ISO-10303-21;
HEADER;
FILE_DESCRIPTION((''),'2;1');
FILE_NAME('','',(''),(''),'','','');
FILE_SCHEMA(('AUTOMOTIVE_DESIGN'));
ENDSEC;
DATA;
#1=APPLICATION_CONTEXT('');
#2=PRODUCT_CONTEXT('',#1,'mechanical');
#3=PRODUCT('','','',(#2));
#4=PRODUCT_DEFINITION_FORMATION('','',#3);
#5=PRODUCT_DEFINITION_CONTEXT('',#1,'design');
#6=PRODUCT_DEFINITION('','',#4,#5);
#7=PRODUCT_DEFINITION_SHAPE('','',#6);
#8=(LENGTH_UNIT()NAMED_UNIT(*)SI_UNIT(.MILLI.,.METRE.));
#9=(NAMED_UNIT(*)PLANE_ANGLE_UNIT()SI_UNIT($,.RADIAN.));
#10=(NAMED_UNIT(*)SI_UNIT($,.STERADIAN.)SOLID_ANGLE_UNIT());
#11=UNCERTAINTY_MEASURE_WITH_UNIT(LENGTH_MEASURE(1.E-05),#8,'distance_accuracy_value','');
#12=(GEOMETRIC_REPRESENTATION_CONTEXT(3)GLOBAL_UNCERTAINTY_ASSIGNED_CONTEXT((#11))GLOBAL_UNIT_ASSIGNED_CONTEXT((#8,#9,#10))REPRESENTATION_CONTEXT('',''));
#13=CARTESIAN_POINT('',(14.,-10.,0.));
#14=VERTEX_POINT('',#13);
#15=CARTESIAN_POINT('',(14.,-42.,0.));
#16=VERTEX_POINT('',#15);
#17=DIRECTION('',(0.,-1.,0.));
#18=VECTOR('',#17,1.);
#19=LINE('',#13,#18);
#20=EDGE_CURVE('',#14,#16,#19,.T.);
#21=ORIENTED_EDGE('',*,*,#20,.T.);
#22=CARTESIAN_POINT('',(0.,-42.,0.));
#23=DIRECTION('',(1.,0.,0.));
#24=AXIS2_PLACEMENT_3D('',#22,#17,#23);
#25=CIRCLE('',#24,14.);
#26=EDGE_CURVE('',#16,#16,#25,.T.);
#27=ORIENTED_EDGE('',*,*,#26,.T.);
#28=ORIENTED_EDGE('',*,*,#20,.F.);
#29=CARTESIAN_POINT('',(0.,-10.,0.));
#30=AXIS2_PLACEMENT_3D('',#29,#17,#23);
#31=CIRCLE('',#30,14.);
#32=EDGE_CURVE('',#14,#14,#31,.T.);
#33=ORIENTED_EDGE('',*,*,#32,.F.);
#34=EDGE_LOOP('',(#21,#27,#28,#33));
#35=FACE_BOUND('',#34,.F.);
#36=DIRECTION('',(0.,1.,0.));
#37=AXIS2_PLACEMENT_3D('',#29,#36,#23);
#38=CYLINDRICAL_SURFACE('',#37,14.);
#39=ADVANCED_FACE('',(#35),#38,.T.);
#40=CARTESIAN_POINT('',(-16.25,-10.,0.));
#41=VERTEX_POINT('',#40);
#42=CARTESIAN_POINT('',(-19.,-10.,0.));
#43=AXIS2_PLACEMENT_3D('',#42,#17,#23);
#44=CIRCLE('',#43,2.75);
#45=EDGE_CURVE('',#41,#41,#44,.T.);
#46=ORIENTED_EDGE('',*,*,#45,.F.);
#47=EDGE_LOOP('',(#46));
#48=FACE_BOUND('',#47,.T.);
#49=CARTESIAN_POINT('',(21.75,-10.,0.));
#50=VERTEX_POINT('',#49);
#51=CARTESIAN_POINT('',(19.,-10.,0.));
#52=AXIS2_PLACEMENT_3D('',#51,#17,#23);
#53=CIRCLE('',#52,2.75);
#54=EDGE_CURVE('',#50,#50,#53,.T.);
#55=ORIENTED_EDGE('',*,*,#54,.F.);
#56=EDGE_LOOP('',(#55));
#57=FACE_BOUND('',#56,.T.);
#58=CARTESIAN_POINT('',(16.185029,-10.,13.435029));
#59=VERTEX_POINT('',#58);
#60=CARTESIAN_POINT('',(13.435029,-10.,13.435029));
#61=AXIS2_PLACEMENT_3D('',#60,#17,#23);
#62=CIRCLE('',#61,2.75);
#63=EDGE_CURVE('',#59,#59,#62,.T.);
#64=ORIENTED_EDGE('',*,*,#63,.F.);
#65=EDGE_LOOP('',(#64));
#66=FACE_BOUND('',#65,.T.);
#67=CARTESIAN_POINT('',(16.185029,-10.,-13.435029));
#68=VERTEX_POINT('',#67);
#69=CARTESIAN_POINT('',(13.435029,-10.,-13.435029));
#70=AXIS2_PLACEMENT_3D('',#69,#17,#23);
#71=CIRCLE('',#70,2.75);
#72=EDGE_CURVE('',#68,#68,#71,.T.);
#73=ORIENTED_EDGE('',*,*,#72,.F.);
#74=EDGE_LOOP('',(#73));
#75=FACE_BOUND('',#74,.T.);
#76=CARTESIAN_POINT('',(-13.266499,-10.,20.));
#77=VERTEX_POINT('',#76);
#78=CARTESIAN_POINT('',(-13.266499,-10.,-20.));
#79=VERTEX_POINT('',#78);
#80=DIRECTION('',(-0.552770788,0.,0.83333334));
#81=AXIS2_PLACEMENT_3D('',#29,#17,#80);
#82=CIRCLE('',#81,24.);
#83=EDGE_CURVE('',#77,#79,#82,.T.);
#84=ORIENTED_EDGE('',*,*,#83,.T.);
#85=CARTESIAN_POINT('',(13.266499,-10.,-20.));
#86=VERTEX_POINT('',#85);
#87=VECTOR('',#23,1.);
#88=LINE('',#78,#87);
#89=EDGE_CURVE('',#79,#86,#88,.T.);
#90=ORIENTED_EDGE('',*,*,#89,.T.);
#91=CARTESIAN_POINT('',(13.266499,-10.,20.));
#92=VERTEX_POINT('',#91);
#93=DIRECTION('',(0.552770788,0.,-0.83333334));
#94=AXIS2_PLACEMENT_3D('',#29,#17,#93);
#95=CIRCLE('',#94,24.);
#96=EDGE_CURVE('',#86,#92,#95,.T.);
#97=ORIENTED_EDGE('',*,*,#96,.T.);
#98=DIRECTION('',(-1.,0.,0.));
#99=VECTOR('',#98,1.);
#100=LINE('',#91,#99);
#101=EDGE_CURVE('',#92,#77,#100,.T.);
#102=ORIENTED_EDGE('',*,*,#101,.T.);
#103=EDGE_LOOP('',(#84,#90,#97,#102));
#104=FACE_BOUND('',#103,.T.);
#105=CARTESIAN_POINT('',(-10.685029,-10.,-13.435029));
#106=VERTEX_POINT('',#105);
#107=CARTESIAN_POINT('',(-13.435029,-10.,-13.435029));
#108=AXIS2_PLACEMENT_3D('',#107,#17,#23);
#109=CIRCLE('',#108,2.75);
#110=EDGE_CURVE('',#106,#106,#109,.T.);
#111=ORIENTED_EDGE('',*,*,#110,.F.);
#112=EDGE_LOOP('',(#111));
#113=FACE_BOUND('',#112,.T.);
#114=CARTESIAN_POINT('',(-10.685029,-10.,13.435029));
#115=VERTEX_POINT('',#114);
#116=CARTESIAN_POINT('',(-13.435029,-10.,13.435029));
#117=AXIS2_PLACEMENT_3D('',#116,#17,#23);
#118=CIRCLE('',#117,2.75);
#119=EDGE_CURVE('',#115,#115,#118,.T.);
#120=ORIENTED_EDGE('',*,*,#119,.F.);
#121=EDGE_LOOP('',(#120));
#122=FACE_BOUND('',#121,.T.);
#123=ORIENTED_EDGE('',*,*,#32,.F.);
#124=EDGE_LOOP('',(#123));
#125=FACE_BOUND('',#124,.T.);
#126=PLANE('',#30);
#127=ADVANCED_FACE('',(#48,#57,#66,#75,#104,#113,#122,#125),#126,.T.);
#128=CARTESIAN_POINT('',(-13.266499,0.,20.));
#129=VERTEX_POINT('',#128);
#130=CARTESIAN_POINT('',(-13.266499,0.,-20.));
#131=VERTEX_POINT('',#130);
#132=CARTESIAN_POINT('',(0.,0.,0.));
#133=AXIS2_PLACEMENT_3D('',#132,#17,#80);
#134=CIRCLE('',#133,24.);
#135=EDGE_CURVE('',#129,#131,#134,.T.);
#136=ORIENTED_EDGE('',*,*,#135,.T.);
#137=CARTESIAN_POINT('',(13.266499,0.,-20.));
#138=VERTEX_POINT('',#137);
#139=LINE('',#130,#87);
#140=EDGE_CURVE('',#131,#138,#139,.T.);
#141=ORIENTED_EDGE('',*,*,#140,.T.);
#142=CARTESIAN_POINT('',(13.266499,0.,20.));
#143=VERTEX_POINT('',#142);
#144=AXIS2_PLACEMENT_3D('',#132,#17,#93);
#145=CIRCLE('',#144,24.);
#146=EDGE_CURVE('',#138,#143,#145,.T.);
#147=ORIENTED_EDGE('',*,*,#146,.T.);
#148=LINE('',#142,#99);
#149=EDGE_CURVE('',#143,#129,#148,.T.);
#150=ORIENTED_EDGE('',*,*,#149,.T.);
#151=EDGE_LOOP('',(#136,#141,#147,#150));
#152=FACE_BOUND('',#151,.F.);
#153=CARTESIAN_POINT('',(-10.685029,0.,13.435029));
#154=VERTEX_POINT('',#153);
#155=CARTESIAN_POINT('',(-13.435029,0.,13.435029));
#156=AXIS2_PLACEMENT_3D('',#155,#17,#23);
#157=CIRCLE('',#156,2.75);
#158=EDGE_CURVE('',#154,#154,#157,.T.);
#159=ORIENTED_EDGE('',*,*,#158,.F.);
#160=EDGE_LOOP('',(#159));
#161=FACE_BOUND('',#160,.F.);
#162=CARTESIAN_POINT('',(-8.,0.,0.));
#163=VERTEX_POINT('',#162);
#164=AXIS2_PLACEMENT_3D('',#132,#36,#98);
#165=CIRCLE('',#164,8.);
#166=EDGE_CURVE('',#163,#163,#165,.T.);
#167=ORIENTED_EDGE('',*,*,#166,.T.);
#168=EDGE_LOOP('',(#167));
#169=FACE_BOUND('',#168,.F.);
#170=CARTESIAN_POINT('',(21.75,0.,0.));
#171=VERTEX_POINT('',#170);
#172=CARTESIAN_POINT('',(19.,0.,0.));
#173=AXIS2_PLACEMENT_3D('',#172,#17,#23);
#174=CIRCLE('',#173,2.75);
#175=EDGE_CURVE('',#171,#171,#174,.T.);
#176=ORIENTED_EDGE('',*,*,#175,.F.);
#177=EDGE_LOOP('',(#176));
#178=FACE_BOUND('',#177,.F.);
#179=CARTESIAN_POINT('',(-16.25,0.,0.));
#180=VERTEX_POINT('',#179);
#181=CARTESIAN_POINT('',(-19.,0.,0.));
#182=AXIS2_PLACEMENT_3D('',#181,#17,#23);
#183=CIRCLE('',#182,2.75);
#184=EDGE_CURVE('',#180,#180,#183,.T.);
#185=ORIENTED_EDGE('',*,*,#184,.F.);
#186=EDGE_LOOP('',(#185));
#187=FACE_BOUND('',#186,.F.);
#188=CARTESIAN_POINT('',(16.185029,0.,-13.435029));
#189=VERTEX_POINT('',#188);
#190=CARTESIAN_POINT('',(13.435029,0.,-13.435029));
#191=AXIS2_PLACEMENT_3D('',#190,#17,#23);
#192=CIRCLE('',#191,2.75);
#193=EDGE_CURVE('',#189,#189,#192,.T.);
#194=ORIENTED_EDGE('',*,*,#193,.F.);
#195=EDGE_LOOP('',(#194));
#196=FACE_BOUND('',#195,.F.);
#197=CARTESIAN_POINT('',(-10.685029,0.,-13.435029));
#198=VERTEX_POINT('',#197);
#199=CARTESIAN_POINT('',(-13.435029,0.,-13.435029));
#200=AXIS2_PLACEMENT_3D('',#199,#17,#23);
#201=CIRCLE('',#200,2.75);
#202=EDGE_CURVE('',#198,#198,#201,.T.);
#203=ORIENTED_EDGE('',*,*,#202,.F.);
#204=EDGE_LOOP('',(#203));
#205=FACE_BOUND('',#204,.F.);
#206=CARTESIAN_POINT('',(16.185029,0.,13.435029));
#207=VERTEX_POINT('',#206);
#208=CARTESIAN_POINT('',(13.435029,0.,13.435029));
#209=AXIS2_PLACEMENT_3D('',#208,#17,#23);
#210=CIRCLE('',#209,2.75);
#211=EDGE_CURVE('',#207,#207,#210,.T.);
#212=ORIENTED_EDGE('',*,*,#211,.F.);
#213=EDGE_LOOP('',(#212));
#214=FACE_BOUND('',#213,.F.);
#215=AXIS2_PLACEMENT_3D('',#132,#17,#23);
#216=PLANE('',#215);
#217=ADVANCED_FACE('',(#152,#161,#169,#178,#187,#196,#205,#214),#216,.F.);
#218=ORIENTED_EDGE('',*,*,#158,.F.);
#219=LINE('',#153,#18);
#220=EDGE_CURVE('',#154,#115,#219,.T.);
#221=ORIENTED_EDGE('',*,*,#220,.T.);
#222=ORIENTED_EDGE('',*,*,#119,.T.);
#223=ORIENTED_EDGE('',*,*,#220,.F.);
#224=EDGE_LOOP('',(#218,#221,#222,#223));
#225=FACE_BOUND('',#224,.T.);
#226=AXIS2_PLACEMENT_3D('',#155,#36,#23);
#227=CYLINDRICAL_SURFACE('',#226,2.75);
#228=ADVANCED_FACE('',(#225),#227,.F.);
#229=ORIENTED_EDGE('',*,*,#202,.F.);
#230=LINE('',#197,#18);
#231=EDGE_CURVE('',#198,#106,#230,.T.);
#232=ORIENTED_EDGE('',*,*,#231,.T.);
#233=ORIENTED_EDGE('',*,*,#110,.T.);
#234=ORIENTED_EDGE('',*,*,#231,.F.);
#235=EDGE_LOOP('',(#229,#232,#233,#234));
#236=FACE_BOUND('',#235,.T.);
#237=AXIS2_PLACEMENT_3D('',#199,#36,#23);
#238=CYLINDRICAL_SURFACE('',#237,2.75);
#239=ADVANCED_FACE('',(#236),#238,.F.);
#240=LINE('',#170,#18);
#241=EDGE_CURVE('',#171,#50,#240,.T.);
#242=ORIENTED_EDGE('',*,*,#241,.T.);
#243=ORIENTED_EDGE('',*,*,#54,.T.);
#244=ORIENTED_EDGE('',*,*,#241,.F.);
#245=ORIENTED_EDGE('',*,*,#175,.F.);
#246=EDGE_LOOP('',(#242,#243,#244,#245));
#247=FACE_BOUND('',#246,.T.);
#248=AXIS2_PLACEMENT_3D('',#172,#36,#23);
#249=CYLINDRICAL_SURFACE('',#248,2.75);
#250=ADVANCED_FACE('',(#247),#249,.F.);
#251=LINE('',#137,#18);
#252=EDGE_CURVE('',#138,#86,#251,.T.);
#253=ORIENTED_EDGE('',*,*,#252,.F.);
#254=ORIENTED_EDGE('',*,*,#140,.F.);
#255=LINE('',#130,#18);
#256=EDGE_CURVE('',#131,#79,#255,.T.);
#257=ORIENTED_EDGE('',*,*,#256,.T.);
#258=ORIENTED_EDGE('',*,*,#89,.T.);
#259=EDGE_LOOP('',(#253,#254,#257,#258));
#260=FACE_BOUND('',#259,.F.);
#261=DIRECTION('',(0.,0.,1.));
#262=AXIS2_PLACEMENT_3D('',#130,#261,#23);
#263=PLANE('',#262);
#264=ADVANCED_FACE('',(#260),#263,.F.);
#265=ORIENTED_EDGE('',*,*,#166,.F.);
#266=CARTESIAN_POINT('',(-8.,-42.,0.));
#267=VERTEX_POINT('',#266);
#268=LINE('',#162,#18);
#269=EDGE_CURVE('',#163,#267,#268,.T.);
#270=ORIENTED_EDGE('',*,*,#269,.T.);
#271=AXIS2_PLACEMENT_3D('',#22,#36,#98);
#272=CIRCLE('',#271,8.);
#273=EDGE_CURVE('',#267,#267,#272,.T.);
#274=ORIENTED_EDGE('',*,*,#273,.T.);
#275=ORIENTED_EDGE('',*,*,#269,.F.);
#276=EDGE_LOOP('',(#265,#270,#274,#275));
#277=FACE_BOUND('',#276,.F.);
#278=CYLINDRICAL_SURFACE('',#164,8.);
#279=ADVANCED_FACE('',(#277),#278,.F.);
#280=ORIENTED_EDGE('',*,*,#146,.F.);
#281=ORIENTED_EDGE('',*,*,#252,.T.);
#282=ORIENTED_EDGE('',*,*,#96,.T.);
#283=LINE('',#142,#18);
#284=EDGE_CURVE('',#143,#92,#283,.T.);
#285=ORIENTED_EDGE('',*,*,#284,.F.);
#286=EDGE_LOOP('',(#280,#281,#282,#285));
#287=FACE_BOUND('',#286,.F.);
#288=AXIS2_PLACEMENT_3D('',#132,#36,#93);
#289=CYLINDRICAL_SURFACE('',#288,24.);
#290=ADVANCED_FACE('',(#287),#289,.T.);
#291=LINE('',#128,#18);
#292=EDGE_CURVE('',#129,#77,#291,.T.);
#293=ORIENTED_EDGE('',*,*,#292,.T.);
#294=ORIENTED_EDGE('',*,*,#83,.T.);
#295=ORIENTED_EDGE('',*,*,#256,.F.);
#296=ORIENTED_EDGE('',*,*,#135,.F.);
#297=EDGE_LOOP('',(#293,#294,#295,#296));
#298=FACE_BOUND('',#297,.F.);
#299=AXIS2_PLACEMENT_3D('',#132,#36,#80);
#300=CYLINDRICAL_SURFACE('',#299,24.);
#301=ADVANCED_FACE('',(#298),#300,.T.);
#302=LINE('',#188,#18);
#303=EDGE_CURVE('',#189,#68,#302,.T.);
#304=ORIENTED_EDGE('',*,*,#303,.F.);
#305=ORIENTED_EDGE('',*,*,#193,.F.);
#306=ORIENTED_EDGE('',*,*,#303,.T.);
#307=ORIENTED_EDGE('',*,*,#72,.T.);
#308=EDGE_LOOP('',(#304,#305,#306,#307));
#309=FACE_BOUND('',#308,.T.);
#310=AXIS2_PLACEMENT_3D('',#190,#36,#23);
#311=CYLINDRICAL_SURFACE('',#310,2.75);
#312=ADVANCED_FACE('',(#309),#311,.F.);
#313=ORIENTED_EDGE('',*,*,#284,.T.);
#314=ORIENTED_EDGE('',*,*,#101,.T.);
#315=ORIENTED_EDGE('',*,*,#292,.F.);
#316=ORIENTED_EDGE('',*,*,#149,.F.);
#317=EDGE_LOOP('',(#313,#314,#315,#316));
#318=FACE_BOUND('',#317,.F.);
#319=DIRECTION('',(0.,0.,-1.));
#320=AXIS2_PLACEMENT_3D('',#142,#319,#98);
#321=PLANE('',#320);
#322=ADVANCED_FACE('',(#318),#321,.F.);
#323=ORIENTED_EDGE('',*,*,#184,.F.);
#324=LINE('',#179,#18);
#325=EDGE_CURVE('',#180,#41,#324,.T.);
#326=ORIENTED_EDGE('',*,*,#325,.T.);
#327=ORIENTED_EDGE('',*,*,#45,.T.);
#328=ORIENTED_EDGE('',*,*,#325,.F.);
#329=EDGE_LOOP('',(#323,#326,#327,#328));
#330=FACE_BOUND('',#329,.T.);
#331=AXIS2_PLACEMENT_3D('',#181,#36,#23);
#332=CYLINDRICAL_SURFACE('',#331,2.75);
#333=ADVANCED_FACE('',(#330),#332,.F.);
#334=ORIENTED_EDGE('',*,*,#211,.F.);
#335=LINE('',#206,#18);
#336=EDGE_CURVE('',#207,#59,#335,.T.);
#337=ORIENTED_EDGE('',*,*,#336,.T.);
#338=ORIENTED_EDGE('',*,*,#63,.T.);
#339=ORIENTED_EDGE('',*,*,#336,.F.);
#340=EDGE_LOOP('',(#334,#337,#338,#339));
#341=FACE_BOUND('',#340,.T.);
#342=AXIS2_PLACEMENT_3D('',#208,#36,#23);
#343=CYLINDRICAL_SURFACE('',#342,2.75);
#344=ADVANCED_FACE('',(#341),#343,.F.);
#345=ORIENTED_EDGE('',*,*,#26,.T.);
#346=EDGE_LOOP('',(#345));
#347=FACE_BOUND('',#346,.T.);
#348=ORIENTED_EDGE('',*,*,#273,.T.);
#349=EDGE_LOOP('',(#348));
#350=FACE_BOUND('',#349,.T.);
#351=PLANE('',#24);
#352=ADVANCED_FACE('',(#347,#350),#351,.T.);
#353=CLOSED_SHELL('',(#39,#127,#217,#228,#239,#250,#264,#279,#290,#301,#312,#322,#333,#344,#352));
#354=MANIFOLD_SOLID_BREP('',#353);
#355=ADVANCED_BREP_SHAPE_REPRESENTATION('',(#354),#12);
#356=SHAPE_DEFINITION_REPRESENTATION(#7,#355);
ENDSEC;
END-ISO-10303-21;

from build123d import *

# Parameters (mm, degrees)
F0_R     = 2.75
F1_DEPTH = 10
F2_R     = 14
F3_DEPTH = 32
F4_R     = 8
F5_DEPTH = 42


with BuildPart() as f1:
    # F0 (on Front) → F1 (new body)
    with BuildSketch(Plane.XZ):
        with BuildLine():
            Line((13.266499, 20), (-13.266499, 20))
            ThreePointArc((-13.266499, 20), (-24, 0), (-13.266499, -20))
            Line((-13.266499, -20), (13.266499, -20))
            ThreePointArc((13.266499, -20), (24, 0), (13.266499, 20))
        make_face()
        with Locations((-13.435029, -13.435029)):
            Circle(F0_R, mode=Mode.SUBTRACT)
        with Locations((13.435029, -13.435029)):
            Circle(F0_R, mode=Mode.SUBTRACT)
        with Locations((-19, 0)):
            Circle(F0_R, mode=Mode.SUBTRACT)
        with Locations((-13.435029, 13.435029)):
            Circle(F0_R, mode=Mode.SUBTRACT)
        with Locations((19, 0)):
            Circle(F0_R, mode=Mode.SUBTRACT)
        with Locations((13.435029, 13.435029)):
            Circle(F0_R, mode=Mode.SUBTRACT)
    extrude(amount=F1_DEPTH)

    # F2 (on face) → F3 (join)
    with BuildSketch(Plane.XZ.offset(10)):
        Circle(F2_R)
    extrude(amount=F3_DEPTH)

    # F4 (on face) → F5 (cut, through all)
    with BuildSketch(Plane(origin=(0, 0, 0), x_dir=(-1, 0, 0), z_dir=(0, 1, 0))):
        Circle(F4_R)
    extrude(amount=-F5_DEPTH, mode=Mode.SUBTRACT)


solid = f1.part
